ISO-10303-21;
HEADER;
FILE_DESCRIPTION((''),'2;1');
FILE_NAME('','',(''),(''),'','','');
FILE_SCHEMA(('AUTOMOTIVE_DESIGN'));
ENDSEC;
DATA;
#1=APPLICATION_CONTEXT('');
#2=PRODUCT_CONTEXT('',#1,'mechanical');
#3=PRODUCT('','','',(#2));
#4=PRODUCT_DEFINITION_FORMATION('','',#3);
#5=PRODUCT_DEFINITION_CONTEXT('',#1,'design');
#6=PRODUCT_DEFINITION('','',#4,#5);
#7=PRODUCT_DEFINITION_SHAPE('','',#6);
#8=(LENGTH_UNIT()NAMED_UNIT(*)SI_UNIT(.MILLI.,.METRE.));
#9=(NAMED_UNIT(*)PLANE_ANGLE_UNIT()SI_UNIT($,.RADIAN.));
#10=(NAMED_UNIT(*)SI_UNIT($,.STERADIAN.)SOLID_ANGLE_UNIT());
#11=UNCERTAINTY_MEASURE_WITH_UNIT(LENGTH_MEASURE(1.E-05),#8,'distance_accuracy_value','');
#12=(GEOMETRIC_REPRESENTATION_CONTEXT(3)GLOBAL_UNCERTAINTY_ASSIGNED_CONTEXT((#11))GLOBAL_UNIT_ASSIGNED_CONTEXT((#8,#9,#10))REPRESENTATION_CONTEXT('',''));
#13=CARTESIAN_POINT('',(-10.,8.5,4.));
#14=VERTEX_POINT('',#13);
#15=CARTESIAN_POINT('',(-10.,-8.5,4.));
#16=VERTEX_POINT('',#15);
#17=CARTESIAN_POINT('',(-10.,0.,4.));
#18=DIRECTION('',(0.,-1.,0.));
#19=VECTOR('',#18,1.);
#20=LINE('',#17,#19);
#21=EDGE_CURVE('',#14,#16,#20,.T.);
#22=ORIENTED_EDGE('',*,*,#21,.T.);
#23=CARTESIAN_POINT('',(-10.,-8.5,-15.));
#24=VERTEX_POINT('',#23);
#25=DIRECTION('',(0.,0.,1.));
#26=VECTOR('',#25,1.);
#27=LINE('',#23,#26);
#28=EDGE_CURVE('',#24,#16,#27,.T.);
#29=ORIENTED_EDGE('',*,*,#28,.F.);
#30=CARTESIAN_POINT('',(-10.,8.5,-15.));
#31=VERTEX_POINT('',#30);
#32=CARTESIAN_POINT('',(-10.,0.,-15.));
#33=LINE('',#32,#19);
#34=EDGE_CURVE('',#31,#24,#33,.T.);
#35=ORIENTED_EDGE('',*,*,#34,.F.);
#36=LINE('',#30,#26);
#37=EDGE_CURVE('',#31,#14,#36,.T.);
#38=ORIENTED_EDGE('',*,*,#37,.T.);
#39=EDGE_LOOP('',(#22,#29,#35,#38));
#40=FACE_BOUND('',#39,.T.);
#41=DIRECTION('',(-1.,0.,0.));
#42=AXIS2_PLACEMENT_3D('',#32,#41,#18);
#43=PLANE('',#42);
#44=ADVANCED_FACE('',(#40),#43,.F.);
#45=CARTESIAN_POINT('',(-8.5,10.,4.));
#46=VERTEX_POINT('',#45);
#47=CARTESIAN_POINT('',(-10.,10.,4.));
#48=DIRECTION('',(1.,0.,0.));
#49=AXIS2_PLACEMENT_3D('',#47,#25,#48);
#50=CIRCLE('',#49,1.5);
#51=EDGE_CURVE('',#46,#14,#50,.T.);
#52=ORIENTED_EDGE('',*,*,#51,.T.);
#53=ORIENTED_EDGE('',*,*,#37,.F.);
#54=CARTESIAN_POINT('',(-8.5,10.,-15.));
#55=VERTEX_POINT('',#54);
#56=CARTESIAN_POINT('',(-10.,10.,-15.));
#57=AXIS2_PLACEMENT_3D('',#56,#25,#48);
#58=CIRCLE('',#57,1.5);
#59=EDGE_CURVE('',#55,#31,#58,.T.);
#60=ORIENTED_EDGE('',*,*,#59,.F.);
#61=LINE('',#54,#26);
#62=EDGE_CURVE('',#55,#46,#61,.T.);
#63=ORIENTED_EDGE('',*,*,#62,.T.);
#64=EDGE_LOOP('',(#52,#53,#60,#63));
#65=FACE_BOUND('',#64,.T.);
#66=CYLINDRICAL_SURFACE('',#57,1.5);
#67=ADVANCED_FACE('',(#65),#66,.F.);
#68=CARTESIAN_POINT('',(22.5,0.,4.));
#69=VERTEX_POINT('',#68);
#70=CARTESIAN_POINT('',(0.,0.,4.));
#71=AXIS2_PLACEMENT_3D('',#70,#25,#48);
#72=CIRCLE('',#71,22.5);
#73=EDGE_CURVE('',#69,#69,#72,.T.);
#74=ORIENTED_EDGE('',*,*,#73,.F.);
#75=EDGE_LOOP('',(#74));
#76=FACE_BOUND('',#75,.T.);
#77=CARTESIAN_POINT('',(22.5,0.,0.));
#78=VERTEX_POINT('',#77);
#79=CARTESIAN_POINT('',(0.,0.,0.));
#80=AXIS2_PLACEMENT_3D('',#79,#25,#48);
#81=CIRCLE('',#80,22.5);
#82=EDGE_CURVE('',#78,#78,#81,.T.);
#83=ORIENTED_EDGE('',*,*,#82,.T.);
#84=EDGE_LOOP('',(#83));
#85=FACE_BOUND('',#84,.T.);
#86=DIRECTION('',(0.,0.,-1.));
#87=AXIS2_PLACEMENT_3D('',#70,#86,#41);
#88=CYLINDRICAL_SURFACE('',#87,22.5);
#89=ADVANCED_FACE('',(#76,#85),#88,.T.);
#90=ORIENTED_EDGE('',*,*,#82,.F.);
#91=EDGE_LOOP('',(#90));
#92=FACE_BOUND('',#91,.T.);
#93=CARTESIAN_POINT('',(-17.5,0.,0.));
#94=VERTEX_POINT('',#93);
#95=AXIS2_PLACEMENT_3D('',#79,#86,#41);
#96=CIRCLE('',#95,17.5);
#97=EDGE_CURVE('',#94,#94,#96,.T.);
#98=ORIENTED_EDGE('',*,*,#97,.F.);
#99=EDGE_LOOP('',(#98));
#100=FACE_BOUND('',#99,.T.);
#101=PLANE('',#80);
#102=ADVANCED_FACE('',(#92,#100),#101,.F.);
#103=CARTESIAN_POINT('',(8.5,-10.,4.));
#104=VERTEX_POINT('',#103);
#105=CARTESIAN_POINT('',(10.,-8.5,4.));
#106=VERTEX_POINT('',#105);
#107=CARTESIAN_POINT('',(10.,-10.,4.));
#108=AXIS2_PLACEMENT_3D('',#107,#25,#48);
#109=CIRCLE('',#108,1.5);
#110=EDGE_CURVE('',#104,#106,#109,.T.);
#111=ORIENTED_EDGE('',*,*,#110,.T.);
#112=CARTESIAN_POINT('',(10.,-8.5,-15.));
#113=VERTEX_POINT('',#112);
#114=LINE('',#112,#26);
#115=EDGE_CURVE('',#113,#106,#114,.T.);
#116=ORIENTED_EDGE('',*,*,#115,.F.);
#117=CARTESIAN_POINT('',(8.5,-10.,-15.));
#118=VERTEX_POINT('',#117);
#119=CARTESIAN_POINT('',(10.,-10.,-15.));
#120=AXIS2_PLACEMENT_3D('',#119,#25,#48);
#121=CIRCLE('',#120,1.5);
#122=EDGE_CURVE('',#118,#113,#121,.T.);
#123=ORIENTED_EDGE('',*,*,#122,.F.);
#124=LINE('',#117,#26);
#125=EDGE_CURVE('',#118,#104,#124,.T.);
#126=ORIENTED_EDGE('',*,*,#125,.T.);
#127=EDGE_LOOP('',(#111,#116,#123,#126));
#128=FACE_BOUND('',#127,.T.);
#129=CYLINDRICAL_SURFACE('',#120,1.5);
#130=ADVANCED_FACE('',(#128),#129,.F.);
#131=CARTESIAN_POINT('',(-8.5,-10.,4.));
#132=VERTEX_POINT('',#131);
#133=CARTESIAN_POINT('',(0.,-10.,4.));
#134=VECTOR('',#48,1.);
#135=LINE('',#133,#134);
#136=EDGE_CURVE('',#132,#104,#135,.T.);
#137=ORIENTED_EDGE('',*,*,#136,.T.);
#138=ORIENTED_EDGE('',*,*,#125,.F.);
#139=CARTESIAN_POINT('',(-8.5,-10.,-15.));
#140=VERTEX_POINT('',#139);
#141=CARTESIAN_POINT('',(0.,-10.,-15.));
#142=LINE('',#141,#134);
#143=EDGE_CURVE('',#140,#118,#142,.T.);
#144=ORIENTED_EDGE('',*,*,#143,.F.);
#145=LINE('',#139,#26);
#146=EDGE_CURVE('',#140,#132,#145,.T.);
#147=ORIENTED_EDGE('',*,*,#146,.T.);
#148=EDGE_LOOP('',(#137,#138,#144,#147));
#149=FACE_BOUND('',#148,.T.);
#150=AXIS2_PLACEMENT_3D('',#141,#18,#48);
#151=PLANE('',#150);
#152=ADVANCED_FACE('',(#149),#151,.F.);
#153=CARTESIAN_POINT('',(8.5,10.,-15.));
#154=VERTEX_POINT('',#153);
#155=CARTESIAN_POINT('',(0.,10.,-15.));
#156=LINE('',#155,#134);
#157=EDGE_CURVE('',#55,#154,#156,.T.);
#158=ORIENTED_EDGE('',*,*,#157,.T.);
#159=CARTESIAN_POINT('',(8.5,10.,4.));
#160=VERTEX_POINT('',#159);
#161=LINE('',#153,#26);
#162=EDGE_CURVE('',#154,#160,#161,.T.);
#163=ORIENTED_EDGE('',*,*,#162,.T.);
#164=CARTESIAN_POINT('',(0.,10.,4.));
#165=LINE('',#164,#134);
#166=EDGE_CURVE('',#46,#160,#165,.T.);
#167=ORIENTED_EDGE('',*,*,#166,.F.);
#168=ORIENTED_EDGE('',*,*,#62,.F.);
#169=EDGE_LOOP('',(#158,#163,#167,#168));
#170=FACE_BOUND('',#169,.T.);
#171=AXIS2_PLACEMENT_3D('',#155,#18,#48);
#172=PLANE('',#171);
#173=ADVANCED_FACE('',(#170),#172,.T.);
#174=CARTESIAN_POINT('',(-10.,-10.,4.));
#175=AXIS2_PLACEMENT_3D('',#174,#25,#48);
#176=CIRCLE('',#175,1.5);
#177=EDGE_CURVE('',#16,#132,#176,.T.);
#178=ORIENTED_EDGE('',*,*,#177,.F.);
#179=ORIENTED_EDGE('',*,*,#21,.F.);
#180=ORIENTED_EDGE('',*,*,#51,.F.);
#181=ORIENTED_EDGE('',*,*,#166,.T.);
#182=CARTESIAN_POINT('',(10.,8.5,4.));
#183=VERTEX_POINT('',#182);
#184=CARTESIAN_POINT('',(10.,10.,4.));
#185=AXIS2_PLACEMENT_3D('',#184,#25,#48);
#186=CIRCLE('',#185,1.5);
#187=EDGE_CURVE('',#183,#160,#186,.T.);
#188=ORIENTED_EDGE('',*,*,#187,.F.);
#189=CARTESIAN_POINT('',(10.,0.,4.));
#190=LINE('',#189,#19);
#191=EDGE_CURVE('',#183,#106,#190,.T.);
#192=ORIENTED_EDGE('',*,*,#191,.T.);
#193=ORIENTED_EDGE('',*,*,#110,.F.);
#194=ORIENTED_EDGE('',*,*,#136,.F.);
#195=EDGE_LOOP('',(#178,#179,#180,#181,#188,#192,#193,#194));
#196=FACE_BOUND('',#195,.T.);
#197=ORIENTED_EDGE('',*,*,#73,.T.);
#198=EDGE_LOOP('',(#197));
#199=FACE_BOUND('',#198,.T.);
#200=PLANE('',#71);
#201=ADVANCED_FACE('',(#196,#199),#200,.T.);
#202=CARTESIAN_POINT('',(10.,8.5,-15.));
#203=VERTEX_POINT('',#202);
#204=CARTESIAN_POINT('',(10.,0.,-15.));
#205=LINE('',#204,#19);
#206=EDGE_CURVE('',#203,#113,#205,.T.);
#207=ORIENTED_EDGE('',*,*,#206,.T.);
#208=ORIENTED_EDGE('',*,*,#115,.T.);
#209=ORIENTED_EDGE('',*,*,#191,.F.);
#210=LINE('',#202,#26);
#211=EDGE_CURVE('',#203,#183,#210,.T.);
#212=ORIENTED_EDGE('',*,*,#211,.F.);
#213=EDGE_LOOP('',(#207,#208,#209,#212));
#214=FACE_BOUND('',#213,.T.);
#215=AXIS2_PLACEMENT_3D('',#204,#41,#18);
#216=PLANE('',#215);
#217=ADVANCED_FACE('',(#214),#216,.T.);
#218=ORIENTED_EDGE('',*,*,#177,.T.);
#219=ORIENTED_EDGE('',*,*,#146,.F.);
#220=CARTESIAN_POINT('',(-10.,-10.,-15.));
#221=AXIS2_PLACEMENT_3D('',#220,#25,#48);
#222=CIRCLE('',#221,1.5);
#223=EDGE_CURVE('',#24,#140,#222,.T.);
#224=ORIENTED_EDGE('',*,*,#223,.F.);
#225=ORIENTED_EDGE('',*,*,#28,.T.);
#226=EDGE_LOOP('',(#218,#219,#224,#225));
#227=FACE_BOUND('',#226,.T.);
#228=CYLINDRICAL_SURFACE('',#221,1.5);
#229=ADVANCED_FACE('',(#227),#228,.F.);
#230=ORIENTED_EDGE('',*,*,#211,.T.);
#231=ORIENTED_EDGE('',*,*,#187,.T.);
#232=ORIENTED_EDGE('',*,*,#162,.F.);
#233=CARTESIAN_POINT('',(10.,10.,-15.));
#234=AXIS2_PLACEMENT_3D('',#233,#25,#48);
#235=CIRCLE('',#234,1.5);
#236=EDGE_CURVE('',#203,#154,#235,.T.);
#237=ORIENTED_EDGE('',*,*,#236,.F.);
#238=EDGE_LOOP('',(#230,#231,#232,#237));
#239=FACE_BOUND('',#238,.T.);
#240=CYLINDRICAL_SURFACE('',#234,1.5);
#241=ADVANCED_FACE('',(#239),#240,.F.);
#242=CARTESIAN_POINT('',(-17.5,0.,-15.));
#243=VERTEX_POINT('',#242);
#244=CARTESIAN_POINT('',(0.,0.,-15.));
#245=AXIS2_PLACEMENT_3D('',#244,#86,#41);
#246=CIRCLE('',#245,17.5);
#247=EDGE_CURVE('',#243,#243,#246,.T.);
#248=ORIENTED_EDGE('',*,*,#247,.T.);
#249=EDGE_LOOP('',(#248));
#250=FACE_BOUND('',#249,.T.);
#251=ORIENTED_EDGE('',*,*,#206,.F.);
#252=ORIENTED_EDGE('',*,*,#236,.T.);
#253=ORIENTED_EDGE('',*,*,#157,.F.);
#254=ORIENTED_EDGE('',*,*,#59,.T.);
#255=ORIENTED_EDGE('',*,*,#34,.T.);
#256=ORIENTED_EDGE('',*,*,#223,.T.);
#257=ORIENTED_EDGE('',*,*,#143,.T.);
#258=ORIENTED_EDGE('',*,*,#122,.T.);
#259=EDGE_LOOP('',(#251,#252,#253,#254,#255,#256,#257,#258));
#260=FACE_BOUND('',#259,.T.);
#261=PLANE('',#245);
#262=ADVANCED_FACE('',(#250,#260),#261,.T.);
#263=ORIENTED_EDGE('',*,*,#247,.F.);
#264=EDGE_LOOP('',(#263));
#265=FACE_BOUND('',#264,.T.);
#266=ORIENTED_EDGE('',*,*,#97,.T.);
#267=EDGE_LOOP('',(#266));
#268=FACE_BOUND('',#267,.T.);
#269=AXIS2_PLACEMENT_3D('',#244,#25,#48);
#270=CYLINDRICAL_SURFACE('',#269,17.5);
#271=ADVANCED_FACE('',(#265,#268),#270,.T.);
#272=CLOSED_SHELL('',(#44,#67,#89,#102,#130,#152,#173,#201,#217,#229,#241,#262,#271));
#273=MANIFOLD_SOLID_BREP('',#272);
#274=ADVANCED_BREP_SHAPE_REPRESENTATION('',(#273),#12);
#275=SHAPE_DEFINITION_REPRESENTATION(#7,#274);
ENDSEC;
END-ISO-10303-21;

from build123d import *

# Parameters (mm, degrees)
SKETCH_1_R          = 22.5
EXTRUDE_1_DEPTH     = 4
SKETCH_2_R          = 17.5
EXTRUDE_2_DEPTH     = 15
SKETCH_3_R          = 1.5
SKETCH_3_W          = 20
SKETCH_3_H          = 20
CUT_EXTRUDE_1_DEPTH = 38.06076092


with BuildPart() as part:
    # 草图1 → 凸台-拉伸1 (new body)
    with BuildSketch(Plane.XY):
        Circle(SKETCH_1_R)
    extrude(amount=EXTRUDE_1_DEPTH)

    # 草图2 → 凸台-拉伸2 (add)
    with BuildSketch(Plane(origin=(0, 0, 0), x_dir=(-1, 0, 0), z_dir=(0, 0, -1))):
        Circle(SKETCH_2_R)
    extrude(amount=EXTRUDE_2_DEPTH)

    # 草图3 → 切除-拉伸1 (cut, through all)
    with BuildSketch(Plane.XY.offset(4)):
        with BuildLine():
            ThreePointArc((-8.5, -10), (-8.939339828, -8.939339828), (-10, -8.5))
            Line((-10, -8.5), (-10, -10))
            Line((-10, -10), (-8.5, -10))
        make_face()
        with BuildLine():
            Line((-10, -10), (-10, -8.5))
            ThreePointArc((-10, -8.5), (-11.060660172, -11.060660172), (-8.5, -10))
            Line((-8.5, -10), (-10, -10))
        make_face()
        with Locations((-10, -10)):
            Circle(SKETCH_3_R)
        with Locations((10, -10)):
            Circle(SKETCH_3_R)
        with Locations((10, 10)):
            Circle(SKETCH_3_R)
        with Locations((-10, 10)):
            Circle(SKETCH_3_R)
        Rectangle(SKETCH_3_W, SKETCH_3_H)
        with BuildLine():
            ThreePointArc((11.5, -10), (11.060660172, -8.939339828), (10, -8.5))
            Line((10, -8.5), (10, -10))
            Line((10, -10), (8.5, -10))
            ThreePointArc((8.5, -10), (10, -11.5), (11.5, -10))
        make_face()
        with BuildLine():
            Line((10, -10), (10, -8.5))
            ThreePointArc((10, -8.5), (8.939339828, -8.939339828), (8.5, -10))
            Line((8.5, -10), (10, -10))
        make_face()
        with BuildLine():
            ThreePointArc((11.5, 10), (10, 11.5), (8.5, 10))
            Line((8.5, 10), (10, 10))
            Line((10, 10), (10, 8.5))
            ThreePointArc((10, 8.5), (11.060660172, 8.939339828), (11.5, 10))
        make_face()
        with BuildLine():
            Line((10, 10), (8.5, 10))
            ThreePointArc((8.5, 10), (8.939339828, 8.939339828), (10, 8.5))
            Line((10, 8.5), (10, 10))
        make_face()
        with BuildLine():
            Line((-10, 8.5), (-10, 10))
            Line((-10, 10), (-8.5, 10))
            ThreePointArc((-8.5, 10), (-11.060660172, 11.060660172), (-10, 8.5))
        make_face()
        with BuildLine():
            Line((-8.5, 10), (-10, 10))
            Line((-10, 10), (-10, 8.5))
            ThreePointArc((-10, 8.5), (-8.939339828, 8.939339828), (-8.5, 10))
        make_face()
    extrude(amount=-CUT_EXTRUDE_1_DEPTH, mode=Mode.SUBTRACT)


solid = part.part
